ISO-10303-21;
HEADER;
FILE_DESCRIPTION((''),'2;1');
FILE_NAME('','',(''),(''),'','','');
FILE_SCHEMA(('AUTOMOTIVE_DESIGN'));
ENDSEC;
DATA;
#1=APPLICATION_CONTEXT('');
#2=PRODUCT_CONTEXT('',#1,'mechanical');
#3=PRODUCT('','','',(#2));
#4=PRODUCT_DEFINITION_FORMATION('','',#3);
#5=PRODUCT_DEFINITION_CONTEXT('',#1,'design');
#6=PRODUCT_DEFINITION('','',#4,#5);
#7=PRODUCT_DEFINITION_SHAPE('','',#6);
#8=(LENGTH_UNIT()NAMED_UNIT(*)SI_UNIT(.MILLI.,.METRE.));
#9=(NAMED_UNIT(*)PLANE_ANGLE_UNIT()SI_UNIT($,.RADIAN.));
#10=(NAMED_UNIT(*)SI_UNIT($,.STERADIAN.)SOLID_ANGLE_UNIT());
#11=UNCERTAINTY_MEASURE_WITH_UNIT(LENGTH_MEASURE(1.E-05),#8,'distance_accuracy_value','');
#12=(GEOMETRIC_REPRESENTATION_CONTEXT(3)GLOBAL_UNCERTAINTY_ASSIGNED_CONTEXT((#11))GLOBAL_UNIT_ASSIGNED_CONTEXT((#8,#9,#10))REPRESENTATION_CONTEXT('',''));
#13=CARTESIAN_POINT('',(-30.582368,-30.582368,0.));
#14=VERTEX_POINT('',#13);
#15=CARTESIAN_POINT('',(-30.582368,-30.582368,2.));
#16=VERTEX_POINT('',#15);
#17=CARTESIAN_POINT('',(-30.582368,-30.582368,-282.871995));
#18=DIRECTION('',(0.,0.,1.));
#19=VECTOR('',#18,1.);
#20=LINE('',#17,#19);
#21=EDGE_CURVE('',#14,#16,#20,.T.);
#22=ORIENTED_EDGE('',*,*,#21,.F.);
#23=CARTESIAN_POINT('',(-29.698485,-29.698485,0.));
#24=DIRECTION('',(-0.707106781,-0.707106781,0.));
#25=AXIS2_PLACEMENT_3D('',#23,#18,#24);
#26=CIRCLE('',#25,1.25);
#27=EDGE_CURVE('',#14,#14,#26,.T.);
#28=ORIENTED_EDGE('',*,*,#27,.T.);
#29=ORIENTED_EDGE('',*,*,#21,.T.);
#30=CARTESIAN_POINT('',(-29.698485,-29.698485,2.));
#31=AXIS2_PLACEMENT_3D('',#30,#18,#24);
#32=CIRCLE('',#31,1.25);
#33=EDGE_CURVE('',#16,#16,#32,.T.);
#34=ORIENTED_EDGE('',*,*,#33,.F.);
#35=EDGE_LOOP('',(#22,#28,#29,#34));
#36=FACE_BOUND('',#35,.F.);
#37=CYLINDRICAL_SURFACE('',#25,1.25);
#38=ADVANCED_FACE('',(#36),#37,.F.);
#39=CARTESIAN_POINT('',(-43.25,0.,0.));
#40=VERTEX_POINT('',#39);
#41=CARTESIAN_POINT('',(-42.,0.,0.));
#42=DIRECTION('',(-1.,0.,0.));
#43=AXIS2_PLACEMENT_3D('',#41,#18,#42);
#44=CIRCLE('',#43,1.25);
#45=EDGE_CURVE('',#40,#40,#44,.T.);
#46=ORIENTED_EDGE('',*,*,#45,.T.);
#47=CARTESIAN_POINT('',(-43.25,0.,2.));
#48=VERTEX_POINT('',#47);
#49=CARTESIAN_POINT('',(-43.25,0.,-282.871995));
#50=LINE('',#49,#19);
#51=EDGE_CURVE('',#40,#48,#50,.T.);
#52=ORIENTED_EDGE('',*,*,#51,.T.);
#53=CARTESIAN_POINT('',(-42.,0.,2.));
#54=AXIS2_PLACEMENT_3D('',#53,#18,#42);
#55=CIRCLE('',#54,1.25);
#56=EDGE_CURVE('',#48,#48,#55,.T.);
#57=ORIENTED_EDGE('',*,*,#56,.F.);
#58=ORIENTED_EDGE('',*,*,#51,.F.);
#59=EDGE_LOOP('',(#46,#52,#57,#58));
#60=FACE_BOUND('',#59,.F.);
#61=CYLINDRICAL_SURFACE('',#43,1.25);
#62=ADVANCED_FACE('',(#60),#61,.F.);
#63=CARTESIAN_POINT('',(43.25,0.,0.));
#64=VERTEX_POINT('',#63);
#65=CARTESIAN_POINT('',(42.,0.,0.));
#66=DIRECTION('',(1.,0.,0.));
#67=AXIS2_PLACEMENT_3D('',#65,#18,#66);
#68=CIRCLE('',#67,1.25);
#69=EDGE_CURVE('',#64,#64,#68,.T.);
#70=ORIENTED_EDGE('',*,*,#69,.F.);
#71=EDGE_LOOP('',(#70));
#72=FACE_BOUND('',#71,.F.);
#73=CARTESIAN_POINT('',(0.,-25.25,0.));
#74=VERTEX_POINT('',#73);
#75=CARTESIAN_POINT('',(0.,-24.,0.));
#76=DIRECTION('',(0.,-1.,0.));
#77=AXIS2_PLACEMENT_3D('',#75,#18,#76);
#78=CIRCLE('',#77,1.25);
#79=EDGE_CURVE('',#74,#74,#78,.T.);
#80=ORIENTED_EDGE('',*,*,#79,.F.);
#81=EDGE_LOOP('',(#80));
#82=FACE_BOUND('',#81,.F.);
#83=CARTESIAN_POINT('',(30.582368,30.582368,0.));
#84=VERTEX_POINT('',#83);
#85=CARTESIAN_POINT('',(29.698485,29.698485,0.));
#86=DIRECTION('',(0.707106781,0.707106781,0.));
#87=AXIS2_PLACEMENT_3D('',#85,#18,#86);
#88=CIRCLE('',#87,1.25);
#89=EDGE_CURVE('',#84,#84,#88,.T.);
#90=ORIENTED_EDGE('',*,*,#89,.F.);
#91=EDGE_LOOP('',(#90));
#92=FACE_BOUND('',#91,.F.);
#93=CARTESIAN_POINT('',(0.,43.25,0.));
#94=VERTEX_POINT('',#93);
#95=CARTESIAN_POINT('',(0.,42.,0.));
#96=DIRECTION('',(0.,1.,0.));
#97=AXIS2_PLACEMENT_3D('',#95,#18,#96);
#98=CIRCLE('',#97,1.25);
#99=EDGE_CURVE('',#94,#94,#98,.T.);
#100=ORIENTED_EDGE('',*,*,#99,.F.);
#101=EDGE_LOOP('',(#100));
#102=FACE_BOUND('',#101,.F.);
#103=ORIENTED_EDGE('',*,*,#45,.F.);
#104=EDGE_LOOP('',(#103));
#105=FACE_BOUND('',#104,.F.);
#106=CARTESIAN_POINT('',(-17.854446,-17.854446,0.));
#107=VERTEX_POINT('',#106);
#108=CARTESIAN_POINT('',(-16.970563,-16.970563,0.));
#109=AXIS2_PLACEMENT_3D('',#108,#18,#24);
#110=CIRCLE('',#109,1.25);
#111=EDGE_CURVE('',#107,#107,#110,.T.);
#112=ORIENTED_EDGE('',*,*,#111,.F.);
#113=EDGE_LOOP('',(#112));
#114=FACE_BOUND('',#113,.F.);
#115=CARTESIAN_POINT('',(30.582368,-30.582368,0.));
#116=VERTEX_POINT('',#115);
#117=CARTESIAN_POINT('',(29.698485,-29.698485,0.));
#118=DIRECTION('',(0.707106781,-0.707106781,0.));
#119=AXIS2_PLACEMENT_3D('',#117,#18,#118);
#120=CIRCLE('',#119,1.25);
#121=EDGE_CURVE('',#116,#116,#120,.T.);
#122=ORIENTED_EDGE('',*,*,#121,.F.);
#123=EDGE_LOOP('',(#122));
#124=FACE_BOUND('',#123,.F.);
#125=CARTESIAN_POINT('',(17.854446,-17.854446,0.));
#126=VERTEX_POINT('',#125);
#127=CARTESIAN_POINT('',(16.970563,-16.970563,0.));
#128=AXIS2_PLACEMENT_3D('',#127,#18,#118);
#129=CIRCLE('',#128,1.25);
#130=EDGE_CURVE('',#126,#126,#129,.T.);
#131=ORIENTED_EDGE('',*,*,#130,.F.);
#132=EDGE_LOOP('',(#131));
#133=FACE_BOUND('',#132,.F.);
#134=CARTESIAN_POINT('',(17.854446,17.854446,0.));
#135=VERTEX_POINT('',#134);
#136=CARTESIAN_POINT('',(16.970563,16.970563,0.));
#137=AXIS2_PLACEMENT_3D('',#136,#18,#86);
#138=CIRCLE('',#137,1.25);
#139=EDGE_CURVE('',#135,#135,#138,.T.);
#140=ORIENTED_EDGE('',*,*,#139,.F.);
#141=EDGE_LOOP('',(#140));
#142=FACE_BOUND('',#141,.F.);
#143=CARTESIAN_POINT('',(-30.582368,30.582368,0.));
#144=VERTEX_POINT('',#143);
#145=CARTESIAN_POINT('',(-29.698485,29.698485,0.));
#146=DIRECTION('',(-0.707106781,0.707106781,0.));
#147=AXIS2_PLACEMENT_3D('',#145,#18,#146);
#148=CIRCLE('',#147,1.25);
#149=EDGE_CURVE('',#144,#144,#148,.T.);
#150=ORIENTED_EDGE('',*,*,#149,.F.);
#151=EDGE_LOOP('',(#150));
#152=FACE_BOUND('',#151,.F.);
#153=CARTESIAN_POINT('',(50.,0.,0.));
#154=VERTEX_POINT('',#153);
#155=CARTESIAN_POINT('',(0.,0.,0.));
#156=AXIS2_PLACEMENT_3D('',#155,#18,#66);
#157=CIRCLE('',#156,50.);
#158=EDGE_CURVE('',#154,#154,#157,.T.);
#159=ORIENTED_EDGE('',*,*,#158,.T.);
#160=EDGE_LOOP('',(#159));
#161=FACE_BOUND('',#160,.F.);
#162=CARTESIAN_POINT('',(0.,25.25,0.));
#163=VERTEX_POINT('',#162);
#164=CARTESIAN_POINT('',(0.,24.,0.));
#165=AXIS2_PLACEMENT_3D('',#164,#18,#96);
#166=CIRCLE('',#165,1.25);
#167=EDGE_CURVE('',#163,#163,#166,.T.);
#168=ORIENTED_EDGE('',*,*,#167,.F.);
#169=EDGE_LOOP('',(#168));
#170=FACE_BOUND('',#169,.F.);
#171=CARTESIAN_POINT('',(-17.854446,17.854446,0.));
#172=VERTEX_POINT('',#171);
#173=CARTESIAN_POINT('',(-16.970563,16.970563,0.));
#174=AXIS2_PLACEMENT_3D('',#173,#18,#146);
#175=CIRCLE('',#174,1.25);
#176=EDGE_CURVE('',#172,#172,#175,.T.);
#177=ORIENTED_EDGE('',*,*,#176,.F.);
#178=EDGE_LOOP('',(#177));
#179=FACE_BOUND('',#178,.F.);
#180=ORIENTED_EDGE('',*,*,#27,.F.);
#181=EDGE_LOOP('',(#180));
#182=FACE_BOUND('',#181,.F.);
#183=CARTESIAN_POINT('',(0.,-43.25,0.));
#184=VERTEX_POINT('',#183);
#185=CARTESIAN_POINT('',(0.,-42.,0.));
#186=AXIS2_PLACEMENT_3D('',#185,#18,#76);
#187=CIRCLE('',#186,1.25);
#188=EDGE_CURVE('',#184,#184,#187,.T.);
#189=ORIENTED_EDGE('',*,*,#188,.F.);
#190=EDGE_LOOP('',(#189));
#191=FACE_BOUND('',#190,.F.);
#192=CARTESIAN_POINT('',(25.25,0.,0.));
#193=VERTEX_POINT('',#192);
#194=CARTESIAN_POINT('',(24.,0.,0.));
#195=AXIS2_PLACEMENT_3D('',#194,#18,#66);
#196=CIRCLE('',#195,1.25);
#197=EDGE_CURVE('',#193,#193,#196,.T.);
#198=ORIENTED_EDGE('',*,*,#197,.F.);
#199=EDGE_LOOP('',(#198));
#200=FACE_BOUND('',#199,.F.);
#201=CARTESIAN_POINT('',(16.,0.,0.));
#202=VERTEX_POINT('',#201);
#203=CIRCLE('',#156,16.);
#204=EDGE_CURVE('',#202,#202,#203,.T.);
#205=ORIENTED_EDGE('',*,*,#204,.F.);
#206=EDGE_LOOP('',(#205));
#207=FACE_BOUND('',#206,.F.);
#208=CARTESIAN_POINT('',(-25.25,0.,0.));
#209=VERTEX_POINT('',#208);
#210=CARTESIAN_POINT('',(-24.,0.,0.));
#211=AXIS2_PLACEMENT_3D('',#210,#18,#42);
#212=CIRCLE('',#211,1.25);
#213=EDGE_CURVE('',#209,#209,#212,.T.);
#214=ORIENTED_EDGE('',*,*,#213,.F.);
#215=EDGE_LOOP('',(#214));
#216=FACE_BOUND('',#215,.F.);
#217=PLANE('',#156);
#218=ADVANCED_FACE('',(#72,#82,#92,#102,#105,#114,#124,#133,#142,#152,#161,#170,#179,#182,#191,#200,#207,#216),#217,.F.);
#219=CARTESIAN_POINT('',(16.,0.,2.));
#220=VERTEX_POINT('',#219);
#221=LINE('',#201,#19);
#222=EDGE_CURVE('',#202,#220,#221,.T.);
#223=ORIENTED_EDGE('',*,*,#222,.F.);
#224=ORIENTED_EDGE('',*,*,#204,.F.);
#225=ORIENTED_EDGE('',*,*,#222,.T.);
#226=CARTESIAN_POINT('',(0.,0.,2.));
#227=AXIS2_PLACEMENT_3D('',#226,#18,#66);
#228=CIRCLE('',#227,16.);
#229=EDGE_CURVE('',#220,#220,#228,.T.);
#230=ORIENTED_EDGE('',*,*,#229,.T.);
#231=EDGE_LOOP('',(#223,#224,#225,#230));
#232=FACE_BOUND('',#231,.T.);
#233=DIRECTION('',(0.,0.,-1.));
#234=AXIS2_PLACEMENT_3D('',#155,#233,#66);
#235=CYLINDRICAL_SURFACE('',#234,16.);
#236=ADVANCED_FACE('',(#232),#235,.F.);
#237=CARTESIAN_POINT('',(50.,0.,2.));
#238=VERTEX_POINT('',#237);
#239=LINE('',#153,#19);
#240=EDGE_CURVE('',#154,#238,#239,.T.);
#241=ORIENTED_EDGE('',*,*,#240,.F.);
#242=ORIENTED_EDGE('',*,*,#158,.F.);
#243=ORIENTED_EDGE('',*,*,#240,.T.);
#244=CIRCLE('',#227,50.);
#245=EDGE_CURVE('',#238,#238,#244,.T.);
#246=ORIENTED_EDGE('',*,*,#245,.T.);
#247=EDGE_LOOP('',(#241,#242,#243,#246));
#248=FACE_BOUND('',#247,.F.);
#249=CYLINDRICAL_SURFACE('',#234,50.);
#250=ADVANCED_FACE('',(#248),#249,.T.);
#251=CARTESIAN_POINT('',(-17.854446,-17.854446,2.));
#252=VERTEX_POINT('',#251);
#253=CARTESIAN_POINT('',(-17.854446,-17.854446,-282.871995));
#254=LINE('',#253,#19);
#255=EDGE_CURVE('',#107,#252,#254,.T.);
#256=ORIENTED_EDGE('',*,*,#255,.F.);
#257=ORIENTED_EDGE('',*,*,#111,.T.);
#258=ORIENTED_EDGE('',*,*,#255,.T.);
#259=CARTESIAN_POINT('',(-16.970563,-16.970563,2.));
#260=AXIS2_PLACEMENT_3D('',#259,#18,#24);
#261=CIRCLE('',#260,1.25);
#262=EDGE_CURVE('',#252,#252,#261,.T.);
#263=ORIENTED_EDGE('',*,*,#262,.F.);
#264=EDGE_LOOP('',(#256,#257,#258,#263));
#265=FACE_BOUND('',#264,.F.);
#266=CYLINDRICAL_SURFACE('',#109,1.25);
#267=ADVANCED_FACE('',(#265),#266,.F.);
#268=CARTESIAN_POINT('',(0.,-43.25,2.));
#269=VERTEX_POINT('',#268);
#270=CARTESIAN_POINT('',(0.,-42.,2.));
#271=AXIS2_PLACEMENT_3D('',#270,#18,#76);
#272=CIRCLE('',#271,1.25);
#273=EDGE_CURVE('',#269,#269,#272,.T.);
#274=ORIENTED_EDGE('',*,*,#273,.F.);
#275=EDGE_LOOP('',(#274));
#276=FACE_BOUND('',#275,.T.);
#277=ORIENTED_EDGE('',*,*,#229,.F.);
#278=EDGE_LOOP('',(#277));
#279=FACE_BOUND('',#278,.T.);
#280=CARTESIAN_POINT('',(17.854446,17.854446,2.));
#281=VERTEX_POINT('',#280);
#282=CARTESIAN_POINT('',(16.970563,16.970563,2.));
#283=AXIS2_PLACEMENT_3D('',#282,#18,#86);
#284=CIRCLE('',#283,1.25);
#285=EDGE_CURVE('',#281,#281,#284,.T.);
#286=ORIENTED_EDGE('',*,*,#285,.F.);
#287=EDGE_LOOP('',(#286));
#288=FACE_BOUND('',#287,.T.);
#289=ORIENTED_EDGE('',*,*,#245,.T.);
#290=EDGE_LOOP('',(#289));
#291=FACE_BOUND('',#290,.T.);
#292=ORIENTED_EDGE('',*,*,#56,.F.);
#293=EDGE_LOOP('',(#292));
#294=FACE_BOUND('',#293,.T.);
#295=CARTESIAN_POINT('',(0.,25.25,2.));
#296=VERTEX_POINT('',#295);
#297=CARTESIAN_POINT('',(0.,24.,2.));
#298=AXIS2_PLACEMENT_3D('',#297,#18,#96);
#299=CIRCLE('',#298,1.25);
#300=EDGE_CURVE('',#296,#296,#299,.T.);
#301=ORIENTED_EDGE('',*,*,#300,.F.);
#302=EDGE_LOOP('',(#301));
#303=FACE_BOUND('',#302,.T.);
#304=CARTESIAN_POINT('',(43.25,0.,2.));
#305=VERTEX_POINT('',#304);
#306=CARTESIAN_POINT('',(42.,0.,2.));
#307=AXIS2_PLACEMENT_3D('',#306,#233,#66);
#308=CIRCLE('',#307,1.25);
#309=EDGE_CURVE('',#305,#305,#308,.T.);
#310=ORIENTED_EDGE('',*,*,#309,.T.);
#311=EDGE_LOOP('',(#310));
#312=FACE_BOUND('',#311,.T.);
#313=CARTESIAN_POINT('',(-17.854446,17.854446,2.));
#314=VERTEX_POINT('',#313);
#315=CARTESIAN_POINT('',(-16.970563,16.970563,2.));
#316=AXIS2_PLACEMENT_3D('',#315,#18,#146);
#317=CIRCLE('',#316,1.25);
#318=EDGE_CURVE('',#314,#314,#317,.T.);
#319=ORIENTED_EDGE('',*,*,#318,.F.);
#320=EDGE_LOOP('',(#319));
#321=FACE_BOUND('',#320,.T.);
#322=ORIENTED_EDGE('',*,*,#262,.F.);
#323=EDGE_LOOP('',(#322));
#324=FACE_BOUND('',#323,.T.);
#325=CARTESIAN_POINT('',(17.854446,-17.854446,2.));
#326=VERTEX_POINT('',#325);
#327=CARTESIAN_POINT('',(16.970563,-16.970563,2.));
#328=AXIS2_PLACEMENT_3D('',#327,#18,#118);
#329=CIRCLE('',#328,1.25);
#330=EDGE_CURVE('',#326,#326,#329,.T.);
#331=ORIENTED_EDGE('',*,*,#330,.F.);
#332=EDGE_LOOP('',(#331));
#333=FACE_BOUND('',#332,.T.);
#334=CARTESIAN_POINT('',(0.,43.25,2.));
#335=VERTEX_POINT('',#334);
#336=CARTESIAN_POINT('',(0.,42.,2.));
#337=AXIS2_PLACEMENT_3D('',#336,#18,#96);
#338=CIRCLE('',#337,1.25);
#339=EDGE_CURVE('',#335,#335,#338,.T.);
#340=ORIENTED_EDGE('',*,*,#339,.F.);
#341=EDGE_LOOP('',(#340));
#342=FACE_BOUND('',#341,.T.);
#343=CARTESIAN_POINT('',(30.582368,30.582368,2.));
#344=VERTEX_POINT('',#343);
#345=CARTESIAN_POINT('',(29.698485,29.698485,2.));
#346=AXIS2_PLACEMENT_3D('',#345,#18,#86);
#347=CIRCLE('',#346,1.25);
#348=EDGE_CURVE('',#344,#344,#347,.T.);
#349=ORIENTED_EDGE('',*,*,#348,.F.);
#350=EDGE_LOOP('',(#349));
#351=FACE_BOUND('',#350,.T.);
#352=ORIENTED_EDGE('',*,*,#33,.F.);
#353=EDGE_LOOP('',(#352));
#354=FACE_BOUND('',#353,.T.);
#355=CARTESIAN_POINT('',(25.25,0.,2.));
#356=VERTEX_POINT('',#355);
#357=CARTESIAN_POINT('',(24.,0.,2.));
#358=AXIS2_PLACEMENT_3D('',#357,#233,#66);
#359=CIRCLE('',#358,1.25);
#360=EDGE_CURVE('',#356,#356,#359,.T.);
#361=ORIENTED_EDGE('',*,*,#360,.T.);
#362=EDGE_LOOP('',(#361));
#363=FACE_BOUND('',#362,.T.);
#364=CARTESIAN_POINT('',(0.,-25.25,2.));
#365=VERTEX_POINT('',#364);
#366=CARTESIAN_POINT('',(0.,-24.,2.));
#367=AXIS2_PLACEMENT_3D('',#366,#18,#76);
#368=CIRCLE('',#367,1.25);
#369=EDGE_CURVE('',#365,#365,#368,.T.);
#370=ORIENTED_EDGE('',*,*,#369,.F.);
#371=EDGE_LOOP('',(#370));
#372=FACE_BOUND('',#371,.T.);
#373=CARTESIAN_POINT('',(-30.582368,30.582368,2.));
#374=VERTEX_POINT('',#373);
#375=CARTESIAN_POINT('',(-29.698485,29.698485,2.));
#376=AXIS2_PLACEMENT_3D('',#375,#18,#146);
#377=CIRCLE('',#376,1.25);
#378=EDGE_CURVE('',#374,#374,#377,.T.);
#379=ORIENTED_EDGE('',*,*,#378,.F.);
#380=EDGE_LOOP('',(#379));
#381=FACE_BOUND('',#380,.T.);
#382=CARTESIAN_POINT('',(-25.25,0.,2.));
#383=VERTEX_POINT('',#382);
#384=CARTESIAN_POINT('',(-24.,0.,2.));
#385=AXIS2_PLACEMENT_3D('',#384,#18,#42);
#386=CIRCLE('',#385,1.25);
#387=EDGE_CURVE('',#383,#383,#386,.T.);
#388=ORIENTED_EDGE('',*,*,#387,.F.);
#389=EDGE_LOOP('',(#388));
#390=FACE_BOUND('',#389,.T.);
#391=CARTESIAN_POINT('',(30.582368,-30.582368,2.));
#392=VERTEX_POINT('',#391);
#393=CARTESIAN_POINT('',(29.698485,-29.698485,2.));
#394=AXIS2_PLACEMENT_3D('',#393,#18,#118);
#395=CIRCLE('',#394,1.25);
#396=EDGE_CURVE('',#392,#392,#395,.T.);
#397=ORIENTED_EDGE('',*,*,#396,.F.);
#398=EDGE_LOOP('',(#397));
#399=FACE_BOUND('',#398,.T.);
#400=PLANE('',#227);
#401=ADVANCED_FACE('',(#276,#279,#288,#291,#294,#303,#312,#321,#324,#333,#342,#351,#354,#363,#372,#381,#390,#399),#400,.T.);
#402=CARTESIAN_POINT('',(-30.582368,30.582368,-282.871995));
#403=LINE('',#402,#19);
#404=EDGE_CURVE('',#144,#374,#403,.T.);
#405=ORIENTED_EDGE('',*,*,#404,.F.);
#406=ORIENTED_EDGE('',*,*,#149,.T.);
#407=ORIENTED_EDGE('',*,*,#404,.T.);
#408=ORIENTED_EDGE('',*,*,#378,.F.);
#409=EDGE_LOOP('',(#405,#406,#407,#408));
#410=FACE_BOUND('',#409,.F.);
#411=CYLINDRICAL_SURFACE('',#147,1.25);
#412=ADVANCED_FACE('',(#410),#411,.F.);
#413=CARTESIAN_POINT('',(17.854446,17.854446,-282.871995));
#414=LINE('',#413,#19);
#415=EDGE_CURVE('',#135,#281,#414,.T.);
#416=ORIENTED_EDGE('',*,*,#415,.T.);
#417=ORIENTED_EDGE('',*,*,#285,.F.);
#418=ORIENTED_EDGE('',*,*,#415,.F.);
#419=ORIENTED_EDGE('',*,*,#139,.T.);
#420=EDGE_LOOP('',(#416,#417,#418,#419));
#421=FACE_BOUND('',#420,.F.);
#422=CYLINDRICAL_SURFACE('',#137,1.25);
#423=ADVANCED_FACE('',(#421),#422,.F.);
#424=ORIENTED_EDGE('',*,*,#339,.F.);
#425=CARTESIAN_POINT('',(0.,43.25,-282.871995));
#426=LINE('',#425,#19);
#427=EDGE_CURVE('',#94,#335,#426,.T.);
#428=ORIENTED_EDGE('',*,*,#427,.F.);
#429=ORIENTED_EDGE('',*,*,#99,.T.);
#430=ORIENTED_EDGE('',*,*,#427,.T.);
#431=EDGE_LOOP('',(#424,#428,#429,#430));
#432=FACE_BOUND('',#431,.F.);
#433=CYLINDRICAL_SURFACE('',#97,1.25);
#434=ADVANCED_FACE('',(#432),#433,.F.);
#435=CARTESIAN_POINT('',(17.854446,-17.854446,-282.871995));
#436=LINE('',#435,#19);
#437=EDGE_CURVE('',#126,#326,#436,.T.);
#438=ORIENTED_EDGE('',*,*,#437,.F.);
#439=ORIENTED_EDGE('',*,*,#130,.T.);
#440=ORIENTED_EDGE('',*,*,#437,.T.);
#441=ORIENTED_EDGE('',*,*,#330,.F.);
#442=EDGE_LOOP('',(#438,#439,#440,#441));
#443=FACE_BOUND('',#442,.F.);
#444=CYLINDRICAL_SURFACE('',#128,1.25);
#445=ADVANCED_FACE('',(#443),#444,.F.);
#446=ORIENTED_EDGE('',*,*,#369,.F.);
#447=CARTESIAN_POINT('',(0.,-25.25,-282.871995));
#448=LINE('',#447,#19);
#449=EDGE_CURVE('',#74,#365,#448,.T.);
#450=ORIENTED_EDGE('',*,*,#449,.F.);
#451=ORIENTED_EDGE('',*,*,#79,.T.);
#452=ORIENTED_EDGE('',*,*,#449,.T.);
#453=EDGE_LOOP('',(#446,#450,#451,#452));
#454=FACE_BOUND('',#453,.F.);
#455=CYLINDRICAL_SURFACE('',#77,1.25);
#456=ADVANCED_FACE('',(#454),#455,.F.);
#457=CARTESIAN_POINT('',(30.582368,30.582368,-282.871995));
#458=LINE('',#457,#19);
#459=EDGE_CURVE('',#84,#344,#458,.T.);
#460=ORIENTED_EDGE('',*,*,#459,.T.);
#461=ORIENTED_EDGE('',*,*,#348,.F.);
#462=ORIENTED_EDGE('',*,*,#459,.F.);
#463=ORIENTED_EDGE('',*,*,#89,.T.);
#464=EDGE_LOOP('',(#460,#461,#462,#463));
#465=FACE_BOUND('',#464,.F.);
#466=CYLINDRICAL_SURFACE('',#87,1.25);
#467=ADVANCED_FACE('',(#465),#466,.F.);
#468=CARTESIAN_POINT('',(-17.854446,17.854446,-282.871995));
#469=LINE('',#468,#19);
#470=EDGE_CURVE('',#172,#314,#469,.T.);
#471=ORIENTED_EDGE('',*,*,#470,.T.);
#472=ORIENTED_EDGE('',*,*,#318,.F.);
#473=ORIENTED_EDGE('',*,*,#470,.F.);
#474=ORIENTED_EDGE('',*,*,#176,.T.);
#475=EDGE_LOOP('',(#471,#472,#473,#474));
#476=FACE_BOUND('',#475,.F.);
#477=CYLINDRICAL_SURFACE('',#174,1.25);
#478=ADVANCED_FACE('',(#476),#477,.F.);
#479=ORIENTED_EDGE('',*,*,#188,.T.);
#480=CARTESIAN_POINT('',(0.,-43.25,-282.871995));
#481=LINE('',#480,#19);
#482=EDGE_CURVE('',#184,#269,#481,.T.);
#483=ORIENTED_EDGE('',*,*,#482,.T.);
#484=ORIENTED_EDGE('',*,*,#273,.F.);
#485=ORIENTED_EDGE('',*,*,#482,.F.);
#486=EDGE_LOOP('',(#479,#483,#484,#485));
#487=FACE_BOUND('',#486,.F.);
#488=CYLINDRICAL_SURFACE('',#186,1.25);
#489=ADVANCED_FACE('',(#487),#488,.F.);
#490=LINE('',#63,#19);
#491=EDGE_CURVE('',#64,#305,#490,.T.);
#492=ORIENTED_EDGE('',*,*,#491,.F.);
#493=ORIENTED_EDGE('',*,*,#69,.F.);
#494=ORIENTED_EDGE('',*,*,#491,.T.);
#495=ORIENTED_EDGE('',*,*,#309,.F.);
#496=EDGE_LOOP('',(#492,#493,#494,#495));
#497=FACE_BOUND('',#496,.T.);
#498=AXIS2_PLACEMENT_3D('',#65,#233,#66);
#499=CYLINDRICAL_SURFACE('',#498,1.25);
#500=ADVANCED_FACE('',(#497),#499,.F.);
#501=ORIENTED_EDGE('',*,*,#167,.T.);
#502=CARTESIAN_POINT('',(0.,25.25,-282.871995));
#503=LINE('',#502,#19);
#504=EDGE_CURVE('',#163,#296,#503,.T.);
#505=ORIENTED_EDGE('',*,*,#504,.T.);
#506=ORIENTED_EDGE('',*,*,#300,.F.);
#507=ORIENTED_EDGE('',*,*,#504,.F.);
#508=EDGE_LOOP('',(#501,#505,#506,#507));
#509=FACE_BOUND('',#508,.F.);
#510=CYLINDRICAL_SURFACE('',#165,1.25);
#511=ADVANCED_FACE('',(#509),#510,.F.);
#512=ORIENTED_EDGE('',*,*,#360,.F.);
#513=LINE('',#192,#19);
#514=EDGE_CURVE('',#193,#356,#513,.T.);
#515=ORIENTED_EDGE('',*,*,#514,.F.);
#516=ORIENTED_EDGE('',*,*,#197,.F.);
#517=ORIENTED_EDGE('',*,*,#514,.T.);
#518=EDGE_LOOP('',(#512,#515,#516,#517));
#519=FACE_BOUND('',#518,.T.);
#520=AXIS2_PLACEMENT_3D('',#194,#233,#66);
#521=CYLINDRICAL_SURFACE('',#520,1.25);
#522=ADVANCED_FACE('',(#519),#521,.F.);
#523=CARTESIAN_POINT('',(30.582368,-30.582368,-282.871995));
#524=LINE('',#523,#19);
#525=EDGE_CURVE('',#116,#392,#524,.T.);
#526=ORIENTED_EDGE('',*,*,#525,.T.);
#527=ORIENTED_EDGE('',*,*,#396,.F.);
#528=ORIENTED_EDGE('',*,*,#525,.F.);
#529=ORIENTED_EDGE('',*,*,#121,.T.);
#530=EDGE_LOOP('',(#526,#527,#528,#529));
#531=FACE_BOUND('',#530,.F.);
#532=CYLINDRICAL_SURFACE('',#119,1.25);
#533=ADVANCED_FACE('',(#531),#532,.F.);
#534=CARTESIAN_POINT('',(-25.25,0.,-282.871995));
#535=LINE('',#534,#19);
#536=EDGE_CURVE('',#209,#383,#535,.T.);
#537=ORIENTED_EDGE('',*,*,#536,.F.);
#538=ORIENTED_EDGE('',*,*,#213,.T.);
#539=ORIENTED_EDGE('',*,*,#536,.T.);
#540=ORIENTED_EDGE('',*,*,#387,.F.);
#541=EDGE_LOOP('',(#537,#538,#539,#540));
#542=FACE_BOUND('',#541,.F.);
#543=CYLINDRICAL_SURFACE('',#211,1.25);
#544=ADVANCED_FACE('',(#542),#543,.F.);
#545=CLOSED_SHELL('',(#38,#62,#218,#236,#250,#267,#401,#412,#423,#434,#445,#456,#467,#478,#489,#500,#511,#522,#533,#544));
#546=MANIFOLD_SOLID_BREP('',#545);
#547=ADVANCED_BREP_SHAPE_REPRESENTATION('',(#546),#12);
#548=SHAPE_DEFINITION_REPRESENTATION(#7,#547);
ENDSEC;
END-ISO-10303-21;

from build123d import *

# Parameters (mm, degrees)
SKETCH_R           = 50
SKETCH_R_2         = 16
PAD_DEPTH          = 2
SKETCH001_R        = 1.25
POCKET_DEPTH       = 282.871995
POCKET_DEPTH_BACK  = 284.871995
POLARPATTERN_COUNT = 8


with BuildPart() as part:
    # Sketch → Pad (new body)
    with BuildSketch(Plane.XY):
        Circle(SKETCH_R)
        Circle(SKETCH_R_2, mode=Mode.SUBTRACT)
    extrude(amount=PAD_DEPTH)

    # Sketch001 → Pocket (cut, two sides)
    with BuildSketch(Plane.XY) as pocket_sk:
        with Locations((24, 0)):
            Circle(SKETCH001_R)
        with Locations((42, 0)):
            Circle(SKETCH001_R)
    pocket = extrude(amount=-POCKET_DEPTH, mode=Mode.SUBTRACT) + extrude(pocket_sk.sketch, amount=POCKET_DEPTH_BACK, mode=Mode.SUBTRACT)

    # PolarPattern: Pocket ×8 about axis
    polarpattern_axis = Axis((0, 0, 0), (0, 0, 1))
    for i in range(1, POLARPATTERN_COUNT):
        add(pocket.rotate(polarpattern_axis, i * 360 / POLARPATTERN_COUNT), mode=Mode.SUBTRACT)


solid = part.part
